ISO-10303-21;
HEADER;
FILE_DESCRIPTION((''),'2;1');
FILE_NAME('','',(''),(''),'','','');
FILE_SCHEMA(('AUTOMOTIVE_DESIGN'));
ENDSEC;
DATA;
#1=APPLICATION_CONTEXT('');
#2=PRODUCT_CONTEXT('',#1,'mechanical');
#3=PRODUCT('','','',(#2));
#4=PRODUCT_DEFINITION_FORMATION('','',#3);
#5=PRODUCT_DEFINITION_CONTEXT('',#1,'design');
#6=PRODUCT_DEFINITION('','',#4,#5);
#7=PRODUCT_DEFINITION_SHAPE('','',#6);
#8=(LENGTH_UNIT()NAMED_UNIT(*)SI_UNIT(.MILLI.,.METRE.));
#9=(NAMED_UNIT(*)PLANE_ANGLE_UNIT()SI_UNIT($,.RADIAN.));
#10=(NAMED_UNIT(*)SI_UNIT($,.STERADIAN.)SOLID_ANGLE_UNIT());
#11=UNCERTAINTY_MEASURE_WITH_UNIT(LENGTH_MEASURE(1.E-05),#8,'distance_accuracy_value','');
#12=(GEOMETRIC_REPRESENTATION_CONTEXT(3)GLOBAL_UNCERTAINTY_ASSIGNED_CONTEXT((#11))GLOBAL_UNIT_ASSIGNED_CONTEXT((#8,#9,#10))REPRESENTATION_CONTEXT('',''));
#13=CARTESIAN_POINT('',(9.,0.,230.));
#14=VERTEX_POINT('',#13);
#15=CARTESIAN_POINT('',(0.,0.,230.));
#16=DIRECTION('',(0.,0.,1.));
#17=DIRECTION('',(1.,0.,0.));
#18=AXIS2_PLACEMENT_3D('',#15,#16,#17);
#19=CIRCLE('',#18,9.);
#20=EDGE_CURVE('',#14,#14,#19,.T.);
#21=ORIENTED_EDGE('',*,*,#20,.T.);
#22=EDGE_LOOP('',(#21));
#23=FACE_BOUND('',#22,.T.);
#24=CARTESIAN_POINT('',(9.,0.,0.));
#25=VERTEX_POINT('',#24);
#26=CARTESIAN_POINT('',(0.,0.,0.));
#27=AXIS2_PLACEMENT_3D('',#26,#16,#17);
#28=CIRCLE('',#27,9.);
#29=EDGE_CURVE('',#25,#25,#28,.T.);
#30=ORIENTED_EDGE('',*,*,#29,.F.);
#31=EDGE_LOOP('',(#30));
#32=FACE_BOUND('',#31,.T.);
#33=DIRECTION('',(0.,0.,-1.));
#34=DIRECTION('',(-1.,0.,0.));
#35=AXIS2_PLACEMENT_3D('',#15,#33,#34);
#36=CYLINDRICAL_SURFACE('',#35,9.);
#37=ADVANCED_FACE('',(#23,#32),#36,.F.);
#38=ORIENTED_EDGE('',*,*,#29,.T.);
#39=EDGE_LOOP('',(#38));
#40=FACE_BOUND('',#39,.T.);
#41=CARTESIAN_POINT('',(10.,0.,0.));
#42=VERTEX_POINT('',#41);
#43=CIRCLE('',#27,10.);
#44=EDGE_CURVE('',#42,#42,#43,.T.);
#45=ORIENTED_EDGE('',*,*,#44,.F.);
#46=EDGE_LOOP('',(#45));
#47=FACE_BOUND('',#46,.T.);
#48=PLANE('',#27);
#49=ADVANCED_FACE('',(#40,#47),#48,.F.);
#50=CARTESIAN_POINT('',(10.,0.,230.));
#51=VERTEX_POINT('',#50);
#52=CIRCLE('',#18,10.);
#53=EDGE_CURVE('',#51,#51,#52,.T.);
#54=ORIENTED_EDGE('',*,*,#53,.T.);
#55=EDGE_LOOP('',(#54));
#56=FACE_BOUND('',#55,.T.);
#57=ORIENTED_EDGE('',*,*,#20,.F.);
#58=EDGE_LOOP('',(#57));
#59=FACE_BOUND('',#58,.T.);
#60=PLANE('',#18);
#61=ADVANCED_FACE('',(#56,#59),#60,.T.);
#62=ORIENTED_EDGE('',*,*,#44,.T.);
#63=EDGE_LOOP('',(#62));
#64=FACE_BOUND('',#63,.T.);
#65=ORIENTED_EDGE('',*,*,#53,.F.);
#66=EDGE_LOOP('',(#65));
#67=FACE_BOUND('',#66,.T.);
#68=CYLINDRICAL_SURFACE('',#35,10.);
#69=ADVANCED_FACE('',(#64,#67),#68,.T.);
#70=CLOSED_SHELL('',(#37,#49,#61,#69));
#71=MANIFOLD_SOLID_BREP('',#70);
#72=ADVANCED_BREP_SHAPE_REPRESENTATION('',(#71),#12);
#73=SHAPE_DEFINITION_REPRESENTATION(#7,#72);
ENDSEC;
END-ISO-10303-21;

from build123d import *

# Parameters (mm, degrees)
SKETCH1_R           = 10
SKETCH1_R_2         = 9
BOSS_EXTRUDE1_DEPTH = 230


with BuildPart() as part:
    # Sketch1 → Boss-Extrude1 (new body)
    with BuildSketch(Plane.XY):
        Circle(SKETCH1_R)
        Circle(SKETCH1_R_2, mode=Mode.SUBTRACT)
    extrude(amount=BOSS_EXTRUDE1_DEPTH)


solid = part.part
